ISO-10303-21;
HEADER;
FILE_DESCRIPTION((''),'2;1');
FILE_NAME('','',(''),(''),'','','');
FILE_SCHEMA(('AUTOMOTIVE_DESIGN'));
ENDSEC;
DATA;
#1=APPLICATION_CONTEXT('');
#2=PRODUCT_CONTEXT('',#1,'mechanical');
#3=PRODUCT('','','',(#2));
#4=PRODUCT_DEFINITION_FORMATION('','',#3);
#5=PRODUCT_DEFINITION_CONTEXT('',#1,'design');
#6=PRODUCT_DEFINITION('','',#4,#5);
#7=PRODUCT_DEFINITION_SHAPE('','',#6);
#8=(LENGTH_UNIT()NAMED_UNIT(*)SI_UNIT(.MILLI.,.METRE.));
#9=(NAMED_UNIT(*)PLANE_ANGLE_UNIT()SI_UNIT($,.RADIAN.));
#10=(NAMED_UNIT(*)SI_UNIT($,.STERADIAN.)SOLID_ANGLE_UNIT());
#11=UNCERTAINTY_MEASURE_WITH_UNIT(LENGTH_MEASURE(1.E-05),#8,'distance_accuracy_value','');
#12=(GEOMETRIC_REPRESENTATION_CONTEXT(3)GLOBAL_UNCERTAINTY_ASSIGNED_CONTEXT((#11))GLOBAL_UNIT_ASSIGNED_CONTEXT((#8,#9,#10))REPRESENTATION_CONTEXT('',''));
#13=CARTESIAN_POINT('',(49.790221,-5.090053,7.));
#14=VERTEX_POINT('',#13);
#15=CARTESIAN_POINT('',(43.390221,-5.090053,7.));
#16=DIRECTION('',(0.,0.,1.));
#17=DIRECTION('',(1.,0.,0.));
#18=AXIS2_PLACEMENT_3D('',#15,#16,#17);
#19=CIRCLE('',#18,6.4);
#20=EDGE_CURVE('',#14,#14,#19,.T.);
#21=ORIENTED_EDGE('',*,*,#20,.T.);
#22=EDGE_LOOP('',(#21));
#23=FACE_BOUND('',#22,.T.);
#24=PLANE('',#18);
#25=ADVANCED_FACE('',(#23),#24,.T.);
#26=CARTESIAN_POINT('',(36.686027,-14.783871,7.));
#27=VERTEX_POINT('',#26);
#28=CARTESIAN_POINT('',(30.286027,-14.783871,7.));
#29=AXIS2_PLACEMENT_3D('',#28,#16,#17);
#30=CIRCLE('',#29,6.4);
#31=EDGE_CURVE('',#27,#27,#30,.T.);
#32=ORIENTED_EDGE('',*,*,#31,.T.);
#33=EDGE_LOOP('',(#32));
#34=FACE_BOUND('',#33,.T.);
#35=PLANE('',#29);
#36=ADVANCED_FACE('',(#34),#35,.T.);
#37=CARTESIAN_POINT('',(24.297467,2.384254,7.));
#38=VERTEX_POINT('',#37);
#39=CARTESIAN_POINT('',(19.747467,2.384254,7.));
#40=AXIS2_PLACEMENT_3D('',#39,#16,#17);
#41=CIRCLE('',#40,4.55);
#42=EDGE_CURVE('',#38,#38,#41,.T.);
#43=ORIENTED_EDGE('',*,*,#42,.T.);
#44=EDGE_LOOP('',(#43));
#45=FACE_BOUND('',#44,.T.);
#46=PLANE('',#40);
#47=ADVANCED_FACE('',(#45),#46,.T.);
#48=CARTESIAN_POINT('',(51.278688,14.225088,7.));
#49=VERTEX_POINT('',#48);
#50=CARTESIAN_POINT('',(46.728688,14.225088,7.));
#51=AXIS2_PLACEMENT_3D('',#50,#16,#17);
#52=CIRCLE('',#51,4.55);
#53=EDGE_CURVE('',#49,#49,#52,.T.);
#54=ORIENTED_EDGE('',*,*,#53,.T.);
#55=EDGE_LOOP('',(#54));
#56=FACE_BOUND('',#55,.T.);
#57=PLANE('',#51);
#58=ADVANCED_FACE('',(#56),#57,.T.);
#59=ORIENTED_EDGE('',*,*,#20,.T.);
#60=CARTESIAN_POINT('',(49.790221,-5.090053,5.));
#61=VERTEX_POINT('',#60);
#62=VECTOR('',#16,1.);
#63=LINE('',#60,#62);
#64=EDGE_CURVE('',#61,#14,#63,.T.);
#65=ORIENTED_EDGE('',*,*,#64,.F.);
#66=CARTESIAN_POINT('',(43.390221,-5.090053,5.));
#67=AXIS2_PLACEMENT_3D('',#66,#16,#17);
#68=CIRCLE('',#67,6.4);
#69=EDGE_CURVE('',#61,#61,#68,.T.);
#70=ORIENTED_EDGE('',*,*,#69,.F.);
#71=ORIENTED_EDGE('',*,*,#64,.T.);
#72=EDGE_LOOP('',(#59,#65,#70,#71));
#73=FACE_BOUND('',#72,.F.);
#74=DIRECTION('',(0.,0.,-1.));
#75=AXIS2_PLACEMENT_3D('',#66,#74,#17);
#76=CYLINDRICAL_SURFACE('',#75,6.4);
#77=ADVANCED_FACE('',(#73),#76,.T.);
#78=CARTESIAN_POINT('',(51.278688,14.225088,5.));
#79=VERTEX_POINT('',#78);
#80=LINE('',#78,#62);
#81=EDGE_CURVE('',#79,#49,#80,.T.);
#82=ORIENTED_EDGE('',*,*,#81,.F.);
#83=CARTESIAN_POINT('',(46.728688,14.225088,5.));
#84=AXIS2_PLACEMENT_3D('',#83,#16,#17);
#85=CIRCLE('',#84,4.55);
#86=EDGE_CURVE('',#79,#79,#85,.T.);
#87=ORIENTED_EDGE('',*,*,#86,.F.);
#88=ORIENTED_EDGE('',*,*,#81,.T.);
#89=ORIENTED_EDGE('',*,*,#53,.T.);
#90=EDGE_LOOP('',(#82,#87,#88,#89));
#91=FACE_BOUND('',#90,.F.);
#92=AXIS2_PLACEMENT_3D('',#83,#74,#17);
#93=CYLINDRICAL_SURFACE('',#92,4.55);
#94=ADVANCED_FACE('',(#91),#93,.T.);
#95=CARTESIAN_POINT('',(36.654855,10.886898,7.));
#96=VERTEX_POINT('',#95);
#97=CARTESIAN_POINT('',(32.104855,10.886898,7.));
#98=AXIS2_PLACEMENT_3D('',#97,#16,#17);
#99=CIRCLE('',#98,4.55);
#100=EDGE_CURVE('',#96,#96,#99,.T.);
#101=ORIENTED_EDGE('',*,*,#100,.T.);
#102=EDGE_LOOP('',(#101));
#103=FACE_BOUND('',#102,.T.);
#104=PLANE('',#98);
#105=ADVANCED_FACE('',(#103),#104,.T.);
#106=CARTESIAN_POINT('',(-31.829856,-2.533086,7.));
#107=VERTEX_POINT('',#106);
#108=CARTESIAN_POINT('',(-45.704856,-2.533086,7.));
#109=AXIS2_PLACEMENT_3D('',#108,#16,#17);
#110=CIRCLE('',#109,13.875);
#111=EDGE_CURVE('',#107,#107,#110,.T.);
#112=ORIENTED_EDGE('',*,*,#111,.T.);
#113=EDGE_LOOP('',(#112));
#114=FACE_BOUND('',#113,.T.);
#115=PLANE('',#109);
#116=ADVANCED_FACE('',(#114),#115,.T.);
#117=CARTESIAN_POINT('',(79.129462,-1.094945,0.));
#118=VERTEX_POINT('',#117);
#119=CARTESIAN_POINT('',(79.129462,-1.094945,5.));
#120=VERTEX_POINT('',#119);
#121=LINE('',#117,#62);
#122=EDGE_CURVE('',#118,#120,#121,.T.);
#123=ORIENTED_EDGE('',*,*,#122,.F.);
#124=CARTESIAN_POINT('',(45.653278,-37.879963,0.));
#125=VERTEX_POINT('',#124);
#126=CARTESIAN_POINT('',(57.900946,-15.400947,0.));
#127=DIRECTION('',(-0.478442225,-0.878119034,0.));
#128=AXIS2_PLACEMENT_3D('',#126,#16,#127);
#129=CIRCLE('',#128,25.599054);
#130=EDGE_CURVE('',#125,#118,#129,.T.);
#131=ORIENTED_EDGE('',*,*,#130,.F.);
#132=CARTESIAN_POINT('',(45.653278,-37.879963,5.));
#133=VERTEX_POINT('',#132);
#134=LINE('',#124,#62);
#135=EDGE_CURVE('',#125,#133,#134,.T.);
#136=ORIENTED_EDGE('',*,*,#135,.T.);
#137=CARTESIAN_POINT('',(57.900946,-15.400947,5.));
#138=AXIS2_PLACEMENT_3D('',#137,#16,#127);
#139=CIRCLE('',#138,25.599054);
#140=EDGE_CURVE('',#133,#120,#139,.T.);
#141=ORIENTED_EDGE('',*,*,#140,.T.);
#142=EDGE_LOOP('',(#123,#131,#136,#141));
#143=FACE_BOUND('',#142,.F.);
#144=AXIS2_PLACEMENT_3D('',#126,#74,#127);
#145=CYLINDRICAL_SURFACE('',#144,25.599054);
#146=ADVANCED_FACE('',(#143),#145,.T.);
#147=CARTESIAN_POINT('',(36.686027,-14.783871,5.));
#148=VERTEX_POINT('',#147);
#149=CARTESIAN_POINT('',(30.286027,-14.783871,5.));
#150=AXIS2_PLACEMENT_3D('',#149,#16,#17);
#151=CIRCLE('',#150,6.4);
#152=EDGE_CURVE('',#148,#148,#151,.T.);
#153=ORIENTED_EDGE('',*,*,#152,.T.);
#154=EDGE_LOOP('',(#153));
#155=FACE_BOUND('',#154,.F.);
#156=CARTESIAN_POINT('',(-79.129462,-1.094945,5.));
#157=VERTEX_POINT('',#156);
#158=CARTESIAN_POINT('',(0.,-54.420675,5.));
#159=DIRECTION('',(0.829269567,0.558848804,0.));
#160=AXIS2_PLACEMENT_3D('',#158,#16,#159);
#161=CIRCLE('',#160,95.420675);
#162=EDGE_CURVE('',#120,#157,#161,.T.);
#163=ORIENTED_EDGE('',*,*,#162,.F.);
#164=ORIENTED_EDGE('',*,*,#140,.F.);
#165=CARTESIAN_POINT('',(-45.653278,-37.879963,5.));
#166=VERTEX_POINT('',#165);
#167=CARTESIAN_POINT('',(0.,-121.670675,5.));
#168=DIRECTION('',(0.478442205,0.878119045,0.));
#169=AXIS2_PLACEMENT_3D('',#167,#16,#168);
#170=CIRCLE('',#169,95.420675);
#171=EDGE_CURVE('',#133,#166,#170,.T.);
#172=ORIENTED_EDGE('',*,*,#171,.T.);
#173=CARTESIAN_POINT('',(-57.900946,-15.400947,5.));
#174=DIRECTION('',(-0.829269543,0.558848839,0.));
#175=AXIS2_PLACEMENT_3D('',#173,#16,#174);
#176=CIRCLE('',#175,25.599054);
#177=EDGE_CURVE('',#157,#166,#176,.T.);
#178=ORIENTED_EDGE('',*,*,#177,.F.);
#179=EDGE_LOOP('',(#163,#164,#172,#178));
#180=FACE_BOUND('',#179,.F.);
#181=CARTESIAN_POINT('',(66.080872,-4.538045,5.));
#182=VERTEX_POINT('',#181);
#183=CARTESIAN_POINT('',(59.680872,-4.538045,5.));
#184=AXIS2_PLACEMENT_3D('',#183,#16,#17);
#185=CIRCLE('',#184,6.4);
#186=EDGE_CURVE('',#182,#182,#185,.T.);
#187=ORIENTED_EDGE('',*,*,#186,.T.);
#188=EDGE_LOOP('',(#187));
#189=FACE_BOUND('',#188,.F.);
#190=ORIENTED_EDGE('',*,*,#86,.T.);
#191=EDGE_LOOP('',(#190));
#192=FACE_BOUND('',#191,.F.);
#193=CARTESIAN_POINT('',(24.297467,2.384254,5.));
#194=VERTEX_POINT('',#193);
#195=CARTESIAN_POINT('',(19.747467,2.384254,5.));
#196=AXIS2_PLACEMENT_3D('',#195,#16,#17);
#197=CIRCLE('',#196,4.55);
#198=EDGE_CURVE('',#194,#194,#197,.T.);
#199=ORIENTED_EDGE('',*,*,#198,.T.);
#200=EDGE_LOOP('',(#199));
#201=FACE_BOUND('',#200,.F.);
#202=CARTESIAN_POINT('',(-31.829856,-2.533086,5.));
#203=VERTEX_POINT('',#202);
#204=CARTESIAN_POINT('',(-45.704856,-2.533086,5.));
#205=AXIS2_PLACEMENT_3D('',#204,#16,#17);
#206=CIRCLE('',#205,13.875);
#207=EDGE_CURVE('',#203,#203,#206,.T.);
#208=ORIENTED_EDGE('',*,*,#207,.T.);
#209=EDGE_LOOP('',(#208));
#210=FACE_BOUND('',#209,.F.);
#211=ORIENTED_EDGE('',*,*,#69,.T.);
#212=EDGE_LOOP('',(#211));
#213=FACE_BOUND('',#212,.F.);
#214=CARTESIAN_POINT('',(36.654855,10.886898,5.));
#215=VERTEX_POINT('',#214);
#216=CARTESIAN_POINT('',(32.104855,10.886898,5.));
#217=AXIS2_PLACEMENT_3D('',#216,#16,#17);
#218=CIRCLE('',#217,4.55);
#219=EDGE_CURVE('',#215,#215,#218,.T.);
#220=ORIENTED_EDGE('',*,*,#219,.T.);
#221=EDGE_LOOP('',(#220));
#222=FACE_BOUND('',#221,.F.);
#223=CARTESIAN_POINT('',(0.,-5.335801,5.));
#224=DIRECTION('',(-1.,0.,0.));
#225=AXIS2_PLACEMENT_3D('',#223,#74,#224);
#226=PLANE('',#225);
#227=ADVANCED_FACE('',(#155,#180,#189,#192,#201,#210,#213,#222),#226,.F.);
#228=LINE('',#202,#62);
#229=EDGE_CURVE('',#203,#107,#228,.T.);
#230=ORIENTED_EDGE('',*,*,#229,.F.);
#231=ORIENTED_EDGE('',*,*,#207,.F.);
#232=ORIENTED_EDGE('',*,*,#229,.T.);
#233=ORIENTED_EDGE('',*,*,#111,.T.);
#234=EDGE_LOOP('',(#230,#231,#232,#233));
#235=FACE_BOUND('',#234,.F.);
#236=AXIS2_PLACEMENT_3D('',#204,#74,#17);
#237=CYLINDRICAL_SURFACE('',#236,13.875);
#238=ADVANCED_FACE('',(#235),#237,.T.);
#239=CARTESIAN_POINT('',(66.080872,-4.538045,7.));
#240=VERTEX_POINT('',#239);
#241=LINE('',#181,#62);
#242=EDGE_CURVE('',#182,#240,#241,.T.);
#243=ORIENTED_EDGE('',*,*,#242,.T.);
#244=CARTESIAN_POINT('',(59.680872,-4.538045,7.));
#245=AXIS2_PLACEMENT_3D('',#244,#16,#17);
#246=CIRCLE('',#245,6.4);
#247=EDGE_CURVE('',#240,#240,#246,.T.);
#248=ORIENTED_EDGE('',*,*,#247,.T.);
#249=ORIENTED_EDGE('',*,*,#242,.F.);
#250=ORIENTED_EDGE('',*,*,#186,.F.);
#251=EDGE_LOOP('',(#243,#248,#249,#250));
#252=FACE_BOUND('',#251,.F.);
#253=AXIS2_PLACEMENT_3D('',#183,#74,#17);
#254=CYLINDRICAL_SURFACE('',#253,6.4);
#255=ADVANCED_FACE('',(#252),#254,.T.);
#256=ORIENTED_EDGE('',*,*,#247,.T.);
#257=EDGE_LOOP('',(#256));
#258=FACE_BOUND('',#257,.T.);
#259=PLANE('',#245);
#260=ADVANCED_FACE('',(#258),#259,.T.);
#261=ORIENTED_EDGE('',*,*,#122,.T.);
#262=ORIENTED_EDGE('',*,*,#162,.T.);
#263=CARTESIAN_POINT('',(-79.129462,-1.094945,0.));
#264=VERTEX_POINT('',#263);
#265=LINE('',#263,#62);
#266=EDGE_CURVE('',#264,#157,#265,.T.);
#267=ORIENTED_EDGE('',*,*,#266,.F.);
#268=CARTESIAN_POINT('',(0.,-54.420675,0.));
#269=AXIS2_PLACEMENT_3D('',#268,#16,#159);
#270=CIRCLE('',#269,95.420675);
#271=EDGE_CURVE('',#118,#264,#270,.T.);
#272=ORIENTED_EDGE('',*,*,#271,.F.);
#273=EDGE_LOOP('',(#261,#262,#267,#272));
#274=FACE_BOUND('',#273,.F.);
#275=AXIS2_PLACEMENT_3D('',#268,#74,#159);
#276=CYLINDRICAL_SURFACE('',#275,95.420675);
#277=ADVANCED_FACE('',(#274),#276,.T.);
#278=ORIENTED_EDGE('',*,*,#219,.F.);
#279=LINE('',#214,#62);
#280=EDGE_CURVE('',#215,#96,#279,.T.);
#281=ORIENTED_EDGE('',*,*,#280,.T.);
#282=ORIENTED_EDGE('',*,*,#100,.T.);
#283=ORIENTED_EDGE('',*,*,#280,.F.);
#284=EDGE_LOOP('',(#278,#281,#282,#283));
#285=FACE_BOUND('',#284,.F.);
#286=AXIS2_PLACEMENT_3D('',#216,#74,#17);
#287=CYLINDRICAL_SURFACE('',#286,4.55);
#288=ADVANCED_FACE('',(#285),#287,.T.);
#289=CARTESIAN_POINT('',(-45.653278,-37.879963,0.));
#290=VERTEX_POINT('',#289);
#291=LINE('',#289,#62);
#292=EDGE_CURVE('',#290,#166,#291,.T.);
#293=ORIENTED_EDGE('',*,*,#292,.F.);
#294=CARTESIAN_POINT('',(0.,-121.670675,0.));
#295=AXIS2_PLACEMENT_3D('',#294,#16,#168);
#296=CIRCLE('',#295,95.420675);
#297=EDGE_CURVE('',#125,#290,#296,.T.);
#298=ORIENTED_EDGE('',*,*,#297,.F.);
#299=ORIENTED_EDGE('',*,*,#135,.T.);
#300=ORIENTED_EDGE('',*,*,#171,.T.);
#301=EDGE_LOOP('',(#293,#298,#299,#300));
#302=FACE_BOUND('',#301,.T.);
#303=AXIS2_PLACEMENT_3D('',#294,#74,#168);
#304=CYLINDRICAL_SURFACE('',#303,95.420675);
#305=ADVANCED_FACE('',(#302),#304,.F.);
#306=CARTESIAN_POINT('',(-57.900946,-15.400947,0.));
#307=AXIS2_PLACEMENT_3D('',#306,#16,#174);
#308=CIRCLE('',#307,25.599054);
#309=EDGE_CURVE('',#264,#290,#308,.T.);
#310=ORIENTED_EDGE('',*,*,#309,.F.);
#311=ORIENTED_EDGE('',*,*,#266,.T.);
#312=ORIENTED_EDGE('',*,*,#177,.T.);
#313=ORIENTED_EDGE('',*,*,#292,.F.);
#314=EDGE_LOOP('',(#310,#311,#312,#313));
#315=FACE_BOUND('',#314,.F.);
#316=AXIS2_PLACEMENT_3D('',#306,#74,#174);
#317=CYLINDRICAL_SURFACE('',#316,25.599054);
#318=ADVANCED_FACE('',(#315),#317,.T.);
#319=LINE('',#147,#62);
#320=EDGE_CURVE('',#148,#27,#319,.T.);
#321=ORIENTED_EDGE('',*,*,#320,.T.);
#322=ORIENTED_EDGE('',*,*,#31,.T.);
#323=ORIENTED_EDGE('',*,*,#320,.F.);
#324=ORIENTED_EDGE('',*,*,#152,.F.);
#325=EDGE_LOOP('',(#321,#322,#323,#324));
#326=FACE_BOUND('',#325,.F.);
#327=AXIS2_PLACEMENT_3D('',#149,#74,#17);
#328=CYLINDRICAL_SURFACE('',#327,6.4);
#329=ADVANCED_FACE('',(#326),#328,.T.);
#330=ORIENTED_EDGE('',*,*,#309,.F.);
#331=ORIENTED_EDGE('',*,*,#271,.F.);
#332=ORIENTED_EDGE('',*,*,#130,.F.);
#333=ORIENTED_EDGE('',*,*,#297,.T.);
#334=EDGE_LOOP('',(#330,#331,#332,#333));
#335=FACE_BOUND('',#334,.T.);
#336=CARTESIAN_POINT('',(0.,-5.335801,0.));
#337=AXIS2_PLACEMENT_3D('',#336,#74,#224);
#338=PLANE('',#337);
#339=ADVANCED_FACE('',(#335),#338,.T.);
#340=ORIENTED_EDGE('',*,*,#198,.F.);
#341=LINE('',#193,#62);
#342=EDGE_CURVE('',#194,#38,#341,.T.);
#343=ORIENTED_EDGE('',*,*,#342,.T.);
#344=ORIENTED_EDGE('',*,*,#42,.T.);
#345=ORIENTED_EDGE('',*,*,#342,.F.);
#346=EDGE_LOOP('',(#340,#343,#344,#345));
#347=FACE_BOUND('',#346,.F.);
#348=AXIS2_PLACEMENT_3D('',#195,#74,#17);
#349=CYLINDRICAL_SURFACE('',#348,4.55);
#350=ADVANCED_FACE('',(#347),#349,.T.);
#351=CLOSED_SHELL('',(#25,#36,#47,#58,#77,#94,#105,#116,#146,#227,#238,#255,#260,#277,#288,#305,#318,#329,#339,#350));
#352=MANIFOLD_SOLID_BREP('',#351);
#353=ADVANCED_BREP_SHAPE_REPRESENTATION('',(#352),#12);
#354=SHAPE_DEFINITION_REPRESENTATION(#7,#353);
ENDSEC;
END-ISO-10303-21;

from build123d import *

# Parameters (mm, degrees)
PAD_DEPTH     = 5
SKETCH001_R   = 13.875
SKETCH001_R_2 = 6.4
SKETCH001_R_3 = 4.55
PAD001_DEPTH  = 2


with BuildPart() as part:
    # Sketch → Pad (new body)
    with BuildSketch(Plane.XY):
        with BuildLine():
            ThreePointArc((45.653278, -37.879963), (0, -26.25), (-45.653278, -37.879963))
            ThreePointArc((-79.129462, -1.094945), (-76.833677, -32.630667), (-45.653278, -37.879963))
            ThreePointArc((79.129462, -1.094945), (0, 41), (-79.129462, -1.094945))
            ThreePointArc((45.653278, -37.879963), (76.833677, -32.630667), (79.129462, -1.094945))
        make_face()
    extrude(amount=PAD_DEPTH)

    # Sketch001 (on Face6 of Pad) → Pad001 (join)
    with BuildSketch(Plane.XY.offset(5)):
        with Locations((-45.704856, -2.533086)):
            Circle(SKETCH001_R)
        with Locations((30.286027, -14.783871)):
            Circle(SKETCH001_R_2)
        with Locations((43.390221, -5.090053)):
            Circle(SKETCH001_R_2)
        with Locations((59.680872, -4.538045)):
            Circle(SKETCH001_R_2)
        with Locations((19.747467, 2.384254)):
            Circle(SKETCH001_R_3)
        with Locations((32.104855, 10.886898)):
            Circle(SKETCH001_R_3)
        with Locations((46.728688, 14.225088)):
            Circle(SKETCH001_R_3)
    extrude(amount=PAD001_DEPTH)


solid = part.part
